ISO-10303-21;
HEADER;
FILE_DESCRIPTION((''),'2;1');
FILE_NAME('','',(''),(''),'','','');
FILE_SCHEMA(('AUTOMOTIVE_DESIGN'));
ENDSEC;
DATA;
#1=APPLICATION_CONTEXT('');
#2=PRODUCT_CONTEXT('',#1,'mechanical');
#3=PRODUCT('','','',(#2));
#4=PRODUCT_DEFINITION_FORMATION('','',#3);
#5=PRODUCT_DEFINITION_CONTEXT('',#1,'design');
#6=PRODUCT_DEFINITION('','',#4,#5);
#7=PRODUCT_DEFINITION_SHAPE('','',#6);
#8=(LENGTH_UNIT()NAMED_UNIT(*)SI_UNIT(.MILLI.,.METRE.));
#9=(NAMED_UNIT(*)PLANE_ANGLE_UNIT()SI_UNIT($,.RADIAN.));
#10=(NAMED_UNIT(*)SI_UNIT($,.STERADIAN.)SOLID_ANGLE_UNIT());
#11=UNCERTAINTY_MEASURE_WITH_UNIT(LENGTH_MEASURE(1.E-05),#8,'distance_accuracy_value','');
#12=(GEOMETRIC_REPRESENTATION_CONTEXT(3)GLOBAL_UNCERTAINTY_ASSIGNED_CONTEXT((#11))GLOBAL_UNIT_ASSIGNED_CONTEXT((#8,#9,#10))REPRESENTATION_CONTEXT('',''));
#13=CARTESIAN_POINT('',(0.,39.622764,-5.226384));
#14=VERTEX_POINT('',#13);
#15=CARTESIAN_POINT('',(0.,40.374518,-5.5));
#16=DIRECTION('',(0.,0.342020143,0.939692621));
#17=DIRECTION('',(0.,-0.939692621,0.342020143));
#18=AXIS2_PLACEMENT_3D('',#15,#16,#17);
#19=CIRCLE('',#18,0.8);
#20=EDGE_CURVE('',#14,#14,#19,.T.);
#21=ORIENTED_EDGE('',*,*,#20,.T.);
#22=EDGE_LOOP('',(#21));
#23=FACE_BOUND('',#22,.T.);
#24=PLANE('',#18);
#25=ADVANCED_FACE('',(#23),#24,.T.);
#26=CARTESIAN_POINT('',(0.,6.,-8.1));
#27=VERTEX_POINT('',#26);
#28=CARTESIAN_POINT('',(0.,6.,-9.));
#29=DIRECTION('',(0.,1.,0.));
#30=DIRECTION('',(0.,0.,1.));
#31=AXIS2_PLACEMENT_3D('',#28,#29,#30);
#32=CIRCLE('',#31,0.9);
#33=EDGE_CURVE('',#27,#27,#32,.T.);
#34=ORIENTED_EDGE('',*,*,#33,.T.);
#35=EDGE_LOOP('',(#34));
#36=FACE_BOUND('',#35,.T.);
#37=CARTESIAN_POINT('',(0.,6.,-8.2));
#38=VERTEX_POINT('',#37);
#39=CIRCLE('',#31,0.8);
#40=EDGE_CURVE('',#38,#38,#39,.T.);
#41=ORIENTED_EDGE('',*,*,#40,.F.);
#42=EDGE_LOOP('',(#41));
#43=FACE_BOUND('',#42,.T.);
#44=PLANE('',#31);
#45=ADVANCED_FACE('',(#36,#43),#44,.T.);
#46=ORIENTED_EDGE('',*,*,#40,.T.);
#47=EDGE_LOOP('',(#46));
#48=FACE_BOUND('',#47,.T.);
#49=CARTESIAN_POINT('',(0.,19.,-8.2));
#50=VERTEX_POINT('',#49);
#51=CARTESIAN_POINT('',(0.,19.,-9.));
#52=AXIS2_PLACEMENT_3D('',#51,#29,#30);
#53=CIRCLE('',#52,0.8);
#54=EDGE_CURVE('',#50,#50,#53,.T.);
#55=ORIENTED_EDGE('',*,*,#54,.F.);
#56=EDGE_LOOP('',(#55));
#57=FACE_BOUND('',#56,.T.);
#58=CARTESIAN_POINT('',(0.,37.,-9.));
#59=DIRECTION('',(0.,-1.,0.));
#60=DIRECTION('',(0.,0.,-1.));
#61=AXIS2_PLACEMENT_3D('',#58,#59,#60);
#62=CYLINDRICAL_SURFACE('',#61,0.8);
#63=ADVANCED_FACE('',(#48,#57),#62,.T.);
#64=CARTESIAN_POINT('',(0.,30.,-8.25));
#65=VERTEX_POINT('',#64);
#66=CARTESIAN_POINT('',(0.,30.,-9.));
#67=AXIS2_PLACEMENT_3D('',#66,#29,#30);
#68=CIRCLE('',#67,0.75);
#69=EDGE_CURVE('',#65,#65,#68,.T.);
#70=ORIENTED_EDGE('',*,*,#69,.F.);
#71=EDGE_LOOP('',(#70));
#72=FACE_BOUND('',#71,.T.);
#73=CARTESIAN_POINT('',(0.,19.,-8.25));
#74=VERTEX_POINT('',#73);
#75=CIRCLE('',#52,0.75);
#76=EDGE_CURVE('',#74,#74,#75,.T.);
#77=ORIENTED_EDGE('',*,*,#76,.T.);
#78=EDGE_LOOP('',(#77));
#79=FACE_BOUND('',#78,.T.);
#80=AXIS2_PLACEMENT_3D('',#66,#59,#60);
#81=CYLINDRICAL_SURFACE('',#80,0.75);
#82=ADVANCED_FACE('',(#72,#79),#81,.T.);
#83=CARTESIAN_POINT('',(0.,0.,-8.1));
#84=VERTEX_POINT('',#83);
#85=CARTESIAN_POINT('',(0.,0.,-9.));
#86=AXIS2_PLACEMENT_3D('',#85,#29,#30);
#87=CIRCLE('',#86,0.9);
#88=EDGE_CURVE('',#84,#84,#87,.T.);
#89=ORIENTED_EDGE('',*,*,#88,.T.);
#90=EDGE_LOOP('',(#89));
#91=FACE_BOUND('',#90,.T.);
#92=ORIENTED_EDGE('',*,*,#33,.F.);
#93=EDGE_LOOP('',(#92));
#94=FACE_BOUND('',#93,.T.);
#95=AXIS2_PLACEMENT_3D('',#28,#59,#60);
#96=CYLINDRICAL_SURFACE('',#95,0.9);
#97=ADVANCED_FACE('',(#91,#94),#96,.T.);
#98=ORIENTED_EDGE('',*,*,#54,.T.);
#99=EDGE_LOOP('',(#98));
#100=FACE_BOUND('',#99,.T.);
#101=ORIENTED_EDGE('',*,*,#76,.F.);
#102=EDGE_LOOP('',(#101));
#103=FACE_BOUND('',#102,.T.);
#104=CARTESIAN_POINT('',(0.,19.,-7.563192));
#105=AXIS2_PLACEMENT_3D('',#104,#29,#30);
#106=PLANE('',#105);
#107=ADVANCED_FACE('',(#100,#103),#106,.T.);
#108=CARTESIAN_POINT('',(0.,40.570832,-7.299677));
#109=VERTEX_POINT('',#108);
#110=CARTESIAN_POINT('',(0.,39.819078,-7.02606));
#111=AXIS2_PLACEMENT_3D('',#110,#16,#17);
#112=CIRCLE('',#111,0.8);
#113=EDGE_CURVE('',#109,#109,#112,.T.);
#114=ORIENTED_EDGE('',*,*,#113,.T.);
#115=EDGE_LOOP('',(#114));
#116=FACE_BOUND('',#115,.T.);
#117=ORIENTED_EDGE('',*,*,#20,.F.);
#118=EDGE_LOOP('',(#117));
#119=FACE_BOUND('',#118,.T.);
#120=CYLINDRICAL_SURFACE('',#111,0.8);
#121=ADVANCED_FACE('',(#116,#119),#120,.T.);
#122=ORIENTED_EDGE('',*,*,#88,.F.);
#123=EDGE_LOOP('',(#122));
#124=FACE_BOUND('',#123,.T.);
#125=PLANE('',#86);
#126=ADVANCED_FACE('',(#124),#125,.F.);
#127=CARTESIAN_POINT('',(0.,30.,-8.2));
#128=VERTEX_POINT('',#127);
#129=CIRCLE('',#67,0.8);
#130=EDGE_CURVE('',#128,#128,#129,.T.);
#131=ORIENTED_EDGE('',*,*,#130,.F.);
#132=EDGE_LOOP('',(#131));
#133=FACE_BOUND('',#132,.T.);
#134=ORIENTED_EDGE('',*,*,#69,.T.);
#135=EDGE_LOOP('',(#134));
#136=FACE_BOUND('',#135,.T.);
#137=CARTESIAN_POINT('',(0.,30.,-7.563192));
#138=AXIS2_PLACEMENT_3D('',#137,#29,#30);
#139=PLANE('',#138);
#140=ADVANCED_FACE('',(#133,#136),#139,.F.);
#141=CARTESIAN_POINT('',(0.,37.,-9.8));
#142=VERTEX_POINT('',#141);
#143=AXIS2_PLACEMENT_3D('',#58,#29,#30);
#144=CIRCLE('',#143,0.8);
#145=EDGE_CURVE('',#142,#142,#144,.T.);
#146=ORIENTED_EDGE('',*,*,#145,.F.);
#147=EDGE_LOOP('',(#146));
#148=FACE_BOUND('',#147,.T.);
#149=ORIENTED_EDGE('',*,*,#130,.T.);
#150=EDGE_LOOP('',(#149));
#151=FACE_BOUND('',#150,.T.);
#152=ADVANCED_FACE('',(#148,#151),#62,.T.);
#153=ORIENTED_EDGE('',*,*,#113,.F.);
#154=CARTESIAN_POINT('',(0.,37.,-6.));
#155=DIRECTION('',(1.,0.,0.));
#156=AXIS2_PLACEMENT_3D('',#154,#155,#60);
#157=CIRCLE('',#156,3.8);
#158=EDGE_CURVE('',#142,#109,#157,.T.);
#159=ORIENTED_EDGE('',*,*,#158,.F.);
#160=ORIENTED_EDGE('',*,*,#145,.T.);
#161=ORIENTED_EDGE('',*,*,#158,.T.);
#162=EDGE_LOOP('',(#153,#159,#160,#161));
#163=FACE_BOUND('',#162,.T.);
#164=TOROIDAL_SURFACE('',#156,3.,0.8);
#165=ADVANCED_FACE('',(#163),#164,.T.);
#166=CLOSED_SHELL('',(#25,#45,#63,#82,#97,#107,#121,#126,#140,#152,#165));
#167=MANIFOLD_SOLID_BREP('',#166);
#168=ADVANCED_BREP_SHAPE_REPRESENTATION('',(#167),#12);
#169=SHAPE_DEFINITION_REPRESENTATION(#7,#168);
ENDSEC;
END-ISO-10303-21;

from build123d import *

# Parameters (mm, degrees)
SKETCH2_R         = 0.8
SKETCH4_R         = 0.9
EXTRUDE1_DEPTH    = 6
SKETCH5_OUTSIDE_W = 12.086
SKETCH5_OUTSIDE_H = 14.96
SKETCH5_OUTSIDE_R = 0.75
EXTRUDE3_DEPTH    = 11


with BuildPart() as part:
    # Sweep1: sweep along a path in Sketch1
    with BuildLine(Plane(origin=(0, 0, 0), x_dir=(0, 0, -1), z_dir=(1, 0, 0))) as sweep1_path:
        Line((9, 0), (9, 37))
        ThreePointArc((9, 37), (8.457456133, 38.720729309), (7.02606043, 39.819077862))
        Line((7.02606043, 39.819077862), (5.5, 40.374518435))
    # Sketch2 → Sweep1 (sweep)
    with BuildSketch(Plane(origin=(0, 0, 0), x_dir=(1, 0, 0), z_dir=(0, 1, 0))):
        with Locations((0, 9)):
            Circle(SKETCH2_R)
    sweep(path=sweep1_path.line)

    # Sketch4 → Extrude1 (add)
    with BuildSketch(Plane(origin=(0, 0, 0), x_dir=(1, 0, 0), z_dir=(0, 1, 0))):
        with Locations((0, 9)):
            Circle(SKETCH4_R)
    extrude(amount=EXTRUDE1_DEPTH)

    # Sketch5 outside → Extrude3 (cut)
    with BuildSketch(Plane(origin=(0, 19, 0), x_dir=(-1, 0, 0), z_dir=(0, 1, 0))):
        with Locations((0, -7.563)):
            Rectangle(SKETCH5_OUTSIDE_W, SKETCH5_OUTSIDE_H)
        with Locations((0, -9)):
            Circle(SKETCH5_OUTSIDE_R, mode=Mode.SUBTRACT)
    extrude(amount=EXTRUDE3_DEPTH, mode=Mode.SUBTRACT)


solid = part.part
